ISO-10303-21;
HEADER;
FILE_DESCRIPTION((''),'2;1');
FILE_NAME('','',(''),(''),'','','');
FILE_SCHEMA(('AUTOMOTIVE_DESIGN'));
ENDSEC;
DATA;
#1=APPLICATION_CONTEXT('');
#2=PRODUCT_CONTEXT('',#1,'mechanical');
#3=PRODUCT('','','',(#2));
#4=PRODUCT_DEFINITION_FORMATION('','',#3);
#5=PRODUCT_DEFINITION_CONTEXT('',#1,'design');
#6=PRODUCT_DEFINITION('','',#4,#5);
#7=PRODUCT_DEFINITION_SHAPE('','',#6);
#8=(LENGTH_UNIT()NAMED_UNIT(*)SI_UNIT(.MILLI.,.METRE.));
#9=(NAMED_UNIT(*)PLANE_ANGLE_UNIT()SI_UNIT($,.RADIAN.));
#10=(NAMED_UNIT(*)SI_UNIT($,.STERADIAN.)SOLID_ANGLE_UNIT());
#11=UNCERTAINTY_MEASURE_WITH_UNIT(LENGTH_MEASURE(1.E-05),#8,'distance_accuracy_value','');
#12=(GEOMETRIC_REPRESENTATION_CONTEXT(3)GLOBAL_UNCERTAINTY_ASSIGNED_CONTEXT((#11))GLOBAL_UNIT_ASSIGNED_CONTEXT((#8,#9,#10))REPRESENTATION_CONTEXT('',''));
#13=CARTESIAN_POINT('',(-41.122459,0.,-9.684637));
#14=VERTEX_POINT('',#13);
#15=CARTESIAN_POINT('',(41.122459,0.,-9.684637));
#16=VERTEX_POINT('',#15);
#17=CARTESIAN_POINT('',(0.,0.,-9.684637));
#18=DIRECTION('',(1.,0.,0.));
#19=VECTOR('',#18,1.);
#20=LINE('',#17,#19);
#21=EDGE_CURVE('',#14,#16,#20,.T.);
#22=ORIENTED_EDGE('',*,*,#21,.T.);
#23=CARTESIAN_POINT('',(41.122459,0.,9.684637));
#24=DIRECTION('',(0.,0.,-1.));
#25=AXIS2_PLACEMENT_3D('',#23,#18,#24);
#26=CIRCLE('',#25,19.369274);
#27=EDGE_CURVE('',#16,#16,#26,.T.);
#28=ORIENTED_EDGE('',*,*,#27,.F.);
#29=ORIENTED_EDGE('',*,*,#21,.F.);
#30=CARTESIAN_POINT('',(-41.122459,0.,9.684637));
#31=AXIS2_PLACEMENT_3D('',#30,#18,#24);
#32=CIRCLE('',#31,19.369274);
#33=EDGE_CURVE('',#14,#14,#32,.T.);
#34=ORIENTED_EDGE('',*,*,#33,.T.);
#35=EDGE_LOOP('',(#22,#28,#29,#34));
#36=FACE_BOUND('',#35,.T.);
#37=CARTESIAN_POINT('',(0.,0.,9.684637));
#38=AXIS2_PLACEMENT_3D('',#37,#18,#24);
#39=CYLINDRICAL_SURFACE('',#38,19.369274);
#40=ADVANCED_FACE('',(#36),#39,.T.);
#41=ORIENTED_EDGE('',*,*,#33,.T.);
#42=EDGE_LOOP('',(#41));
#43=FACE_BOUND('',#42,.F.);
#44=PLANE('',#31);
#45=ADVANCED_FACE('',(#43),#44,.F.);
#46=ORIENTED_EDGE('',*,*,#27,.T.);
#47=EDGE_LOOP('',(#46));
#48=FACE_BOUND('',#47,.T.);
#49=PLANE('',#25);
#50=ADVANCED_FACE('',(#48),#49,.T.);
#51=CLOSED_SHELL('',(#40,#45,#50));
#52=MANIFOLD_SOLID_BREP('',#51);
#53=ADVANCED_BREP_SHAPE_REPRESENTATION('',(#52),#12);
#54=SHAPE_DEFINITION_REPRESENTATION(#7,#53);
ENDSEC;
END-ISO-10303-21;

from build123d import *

# Parameters (mm, degrees)
F0_W = 82.244918
F0_H = 19.369274


with BuildPart() as f1:
    # F0 (on Front) → F1 (revolve)
    with BuildSketch(Plane.XZ):
        Rectangle(F0_W, F0_H)
    revolve(axis=Axis((0, 0, 9.684637), (1, 0, 0)))


solid = f1.part
